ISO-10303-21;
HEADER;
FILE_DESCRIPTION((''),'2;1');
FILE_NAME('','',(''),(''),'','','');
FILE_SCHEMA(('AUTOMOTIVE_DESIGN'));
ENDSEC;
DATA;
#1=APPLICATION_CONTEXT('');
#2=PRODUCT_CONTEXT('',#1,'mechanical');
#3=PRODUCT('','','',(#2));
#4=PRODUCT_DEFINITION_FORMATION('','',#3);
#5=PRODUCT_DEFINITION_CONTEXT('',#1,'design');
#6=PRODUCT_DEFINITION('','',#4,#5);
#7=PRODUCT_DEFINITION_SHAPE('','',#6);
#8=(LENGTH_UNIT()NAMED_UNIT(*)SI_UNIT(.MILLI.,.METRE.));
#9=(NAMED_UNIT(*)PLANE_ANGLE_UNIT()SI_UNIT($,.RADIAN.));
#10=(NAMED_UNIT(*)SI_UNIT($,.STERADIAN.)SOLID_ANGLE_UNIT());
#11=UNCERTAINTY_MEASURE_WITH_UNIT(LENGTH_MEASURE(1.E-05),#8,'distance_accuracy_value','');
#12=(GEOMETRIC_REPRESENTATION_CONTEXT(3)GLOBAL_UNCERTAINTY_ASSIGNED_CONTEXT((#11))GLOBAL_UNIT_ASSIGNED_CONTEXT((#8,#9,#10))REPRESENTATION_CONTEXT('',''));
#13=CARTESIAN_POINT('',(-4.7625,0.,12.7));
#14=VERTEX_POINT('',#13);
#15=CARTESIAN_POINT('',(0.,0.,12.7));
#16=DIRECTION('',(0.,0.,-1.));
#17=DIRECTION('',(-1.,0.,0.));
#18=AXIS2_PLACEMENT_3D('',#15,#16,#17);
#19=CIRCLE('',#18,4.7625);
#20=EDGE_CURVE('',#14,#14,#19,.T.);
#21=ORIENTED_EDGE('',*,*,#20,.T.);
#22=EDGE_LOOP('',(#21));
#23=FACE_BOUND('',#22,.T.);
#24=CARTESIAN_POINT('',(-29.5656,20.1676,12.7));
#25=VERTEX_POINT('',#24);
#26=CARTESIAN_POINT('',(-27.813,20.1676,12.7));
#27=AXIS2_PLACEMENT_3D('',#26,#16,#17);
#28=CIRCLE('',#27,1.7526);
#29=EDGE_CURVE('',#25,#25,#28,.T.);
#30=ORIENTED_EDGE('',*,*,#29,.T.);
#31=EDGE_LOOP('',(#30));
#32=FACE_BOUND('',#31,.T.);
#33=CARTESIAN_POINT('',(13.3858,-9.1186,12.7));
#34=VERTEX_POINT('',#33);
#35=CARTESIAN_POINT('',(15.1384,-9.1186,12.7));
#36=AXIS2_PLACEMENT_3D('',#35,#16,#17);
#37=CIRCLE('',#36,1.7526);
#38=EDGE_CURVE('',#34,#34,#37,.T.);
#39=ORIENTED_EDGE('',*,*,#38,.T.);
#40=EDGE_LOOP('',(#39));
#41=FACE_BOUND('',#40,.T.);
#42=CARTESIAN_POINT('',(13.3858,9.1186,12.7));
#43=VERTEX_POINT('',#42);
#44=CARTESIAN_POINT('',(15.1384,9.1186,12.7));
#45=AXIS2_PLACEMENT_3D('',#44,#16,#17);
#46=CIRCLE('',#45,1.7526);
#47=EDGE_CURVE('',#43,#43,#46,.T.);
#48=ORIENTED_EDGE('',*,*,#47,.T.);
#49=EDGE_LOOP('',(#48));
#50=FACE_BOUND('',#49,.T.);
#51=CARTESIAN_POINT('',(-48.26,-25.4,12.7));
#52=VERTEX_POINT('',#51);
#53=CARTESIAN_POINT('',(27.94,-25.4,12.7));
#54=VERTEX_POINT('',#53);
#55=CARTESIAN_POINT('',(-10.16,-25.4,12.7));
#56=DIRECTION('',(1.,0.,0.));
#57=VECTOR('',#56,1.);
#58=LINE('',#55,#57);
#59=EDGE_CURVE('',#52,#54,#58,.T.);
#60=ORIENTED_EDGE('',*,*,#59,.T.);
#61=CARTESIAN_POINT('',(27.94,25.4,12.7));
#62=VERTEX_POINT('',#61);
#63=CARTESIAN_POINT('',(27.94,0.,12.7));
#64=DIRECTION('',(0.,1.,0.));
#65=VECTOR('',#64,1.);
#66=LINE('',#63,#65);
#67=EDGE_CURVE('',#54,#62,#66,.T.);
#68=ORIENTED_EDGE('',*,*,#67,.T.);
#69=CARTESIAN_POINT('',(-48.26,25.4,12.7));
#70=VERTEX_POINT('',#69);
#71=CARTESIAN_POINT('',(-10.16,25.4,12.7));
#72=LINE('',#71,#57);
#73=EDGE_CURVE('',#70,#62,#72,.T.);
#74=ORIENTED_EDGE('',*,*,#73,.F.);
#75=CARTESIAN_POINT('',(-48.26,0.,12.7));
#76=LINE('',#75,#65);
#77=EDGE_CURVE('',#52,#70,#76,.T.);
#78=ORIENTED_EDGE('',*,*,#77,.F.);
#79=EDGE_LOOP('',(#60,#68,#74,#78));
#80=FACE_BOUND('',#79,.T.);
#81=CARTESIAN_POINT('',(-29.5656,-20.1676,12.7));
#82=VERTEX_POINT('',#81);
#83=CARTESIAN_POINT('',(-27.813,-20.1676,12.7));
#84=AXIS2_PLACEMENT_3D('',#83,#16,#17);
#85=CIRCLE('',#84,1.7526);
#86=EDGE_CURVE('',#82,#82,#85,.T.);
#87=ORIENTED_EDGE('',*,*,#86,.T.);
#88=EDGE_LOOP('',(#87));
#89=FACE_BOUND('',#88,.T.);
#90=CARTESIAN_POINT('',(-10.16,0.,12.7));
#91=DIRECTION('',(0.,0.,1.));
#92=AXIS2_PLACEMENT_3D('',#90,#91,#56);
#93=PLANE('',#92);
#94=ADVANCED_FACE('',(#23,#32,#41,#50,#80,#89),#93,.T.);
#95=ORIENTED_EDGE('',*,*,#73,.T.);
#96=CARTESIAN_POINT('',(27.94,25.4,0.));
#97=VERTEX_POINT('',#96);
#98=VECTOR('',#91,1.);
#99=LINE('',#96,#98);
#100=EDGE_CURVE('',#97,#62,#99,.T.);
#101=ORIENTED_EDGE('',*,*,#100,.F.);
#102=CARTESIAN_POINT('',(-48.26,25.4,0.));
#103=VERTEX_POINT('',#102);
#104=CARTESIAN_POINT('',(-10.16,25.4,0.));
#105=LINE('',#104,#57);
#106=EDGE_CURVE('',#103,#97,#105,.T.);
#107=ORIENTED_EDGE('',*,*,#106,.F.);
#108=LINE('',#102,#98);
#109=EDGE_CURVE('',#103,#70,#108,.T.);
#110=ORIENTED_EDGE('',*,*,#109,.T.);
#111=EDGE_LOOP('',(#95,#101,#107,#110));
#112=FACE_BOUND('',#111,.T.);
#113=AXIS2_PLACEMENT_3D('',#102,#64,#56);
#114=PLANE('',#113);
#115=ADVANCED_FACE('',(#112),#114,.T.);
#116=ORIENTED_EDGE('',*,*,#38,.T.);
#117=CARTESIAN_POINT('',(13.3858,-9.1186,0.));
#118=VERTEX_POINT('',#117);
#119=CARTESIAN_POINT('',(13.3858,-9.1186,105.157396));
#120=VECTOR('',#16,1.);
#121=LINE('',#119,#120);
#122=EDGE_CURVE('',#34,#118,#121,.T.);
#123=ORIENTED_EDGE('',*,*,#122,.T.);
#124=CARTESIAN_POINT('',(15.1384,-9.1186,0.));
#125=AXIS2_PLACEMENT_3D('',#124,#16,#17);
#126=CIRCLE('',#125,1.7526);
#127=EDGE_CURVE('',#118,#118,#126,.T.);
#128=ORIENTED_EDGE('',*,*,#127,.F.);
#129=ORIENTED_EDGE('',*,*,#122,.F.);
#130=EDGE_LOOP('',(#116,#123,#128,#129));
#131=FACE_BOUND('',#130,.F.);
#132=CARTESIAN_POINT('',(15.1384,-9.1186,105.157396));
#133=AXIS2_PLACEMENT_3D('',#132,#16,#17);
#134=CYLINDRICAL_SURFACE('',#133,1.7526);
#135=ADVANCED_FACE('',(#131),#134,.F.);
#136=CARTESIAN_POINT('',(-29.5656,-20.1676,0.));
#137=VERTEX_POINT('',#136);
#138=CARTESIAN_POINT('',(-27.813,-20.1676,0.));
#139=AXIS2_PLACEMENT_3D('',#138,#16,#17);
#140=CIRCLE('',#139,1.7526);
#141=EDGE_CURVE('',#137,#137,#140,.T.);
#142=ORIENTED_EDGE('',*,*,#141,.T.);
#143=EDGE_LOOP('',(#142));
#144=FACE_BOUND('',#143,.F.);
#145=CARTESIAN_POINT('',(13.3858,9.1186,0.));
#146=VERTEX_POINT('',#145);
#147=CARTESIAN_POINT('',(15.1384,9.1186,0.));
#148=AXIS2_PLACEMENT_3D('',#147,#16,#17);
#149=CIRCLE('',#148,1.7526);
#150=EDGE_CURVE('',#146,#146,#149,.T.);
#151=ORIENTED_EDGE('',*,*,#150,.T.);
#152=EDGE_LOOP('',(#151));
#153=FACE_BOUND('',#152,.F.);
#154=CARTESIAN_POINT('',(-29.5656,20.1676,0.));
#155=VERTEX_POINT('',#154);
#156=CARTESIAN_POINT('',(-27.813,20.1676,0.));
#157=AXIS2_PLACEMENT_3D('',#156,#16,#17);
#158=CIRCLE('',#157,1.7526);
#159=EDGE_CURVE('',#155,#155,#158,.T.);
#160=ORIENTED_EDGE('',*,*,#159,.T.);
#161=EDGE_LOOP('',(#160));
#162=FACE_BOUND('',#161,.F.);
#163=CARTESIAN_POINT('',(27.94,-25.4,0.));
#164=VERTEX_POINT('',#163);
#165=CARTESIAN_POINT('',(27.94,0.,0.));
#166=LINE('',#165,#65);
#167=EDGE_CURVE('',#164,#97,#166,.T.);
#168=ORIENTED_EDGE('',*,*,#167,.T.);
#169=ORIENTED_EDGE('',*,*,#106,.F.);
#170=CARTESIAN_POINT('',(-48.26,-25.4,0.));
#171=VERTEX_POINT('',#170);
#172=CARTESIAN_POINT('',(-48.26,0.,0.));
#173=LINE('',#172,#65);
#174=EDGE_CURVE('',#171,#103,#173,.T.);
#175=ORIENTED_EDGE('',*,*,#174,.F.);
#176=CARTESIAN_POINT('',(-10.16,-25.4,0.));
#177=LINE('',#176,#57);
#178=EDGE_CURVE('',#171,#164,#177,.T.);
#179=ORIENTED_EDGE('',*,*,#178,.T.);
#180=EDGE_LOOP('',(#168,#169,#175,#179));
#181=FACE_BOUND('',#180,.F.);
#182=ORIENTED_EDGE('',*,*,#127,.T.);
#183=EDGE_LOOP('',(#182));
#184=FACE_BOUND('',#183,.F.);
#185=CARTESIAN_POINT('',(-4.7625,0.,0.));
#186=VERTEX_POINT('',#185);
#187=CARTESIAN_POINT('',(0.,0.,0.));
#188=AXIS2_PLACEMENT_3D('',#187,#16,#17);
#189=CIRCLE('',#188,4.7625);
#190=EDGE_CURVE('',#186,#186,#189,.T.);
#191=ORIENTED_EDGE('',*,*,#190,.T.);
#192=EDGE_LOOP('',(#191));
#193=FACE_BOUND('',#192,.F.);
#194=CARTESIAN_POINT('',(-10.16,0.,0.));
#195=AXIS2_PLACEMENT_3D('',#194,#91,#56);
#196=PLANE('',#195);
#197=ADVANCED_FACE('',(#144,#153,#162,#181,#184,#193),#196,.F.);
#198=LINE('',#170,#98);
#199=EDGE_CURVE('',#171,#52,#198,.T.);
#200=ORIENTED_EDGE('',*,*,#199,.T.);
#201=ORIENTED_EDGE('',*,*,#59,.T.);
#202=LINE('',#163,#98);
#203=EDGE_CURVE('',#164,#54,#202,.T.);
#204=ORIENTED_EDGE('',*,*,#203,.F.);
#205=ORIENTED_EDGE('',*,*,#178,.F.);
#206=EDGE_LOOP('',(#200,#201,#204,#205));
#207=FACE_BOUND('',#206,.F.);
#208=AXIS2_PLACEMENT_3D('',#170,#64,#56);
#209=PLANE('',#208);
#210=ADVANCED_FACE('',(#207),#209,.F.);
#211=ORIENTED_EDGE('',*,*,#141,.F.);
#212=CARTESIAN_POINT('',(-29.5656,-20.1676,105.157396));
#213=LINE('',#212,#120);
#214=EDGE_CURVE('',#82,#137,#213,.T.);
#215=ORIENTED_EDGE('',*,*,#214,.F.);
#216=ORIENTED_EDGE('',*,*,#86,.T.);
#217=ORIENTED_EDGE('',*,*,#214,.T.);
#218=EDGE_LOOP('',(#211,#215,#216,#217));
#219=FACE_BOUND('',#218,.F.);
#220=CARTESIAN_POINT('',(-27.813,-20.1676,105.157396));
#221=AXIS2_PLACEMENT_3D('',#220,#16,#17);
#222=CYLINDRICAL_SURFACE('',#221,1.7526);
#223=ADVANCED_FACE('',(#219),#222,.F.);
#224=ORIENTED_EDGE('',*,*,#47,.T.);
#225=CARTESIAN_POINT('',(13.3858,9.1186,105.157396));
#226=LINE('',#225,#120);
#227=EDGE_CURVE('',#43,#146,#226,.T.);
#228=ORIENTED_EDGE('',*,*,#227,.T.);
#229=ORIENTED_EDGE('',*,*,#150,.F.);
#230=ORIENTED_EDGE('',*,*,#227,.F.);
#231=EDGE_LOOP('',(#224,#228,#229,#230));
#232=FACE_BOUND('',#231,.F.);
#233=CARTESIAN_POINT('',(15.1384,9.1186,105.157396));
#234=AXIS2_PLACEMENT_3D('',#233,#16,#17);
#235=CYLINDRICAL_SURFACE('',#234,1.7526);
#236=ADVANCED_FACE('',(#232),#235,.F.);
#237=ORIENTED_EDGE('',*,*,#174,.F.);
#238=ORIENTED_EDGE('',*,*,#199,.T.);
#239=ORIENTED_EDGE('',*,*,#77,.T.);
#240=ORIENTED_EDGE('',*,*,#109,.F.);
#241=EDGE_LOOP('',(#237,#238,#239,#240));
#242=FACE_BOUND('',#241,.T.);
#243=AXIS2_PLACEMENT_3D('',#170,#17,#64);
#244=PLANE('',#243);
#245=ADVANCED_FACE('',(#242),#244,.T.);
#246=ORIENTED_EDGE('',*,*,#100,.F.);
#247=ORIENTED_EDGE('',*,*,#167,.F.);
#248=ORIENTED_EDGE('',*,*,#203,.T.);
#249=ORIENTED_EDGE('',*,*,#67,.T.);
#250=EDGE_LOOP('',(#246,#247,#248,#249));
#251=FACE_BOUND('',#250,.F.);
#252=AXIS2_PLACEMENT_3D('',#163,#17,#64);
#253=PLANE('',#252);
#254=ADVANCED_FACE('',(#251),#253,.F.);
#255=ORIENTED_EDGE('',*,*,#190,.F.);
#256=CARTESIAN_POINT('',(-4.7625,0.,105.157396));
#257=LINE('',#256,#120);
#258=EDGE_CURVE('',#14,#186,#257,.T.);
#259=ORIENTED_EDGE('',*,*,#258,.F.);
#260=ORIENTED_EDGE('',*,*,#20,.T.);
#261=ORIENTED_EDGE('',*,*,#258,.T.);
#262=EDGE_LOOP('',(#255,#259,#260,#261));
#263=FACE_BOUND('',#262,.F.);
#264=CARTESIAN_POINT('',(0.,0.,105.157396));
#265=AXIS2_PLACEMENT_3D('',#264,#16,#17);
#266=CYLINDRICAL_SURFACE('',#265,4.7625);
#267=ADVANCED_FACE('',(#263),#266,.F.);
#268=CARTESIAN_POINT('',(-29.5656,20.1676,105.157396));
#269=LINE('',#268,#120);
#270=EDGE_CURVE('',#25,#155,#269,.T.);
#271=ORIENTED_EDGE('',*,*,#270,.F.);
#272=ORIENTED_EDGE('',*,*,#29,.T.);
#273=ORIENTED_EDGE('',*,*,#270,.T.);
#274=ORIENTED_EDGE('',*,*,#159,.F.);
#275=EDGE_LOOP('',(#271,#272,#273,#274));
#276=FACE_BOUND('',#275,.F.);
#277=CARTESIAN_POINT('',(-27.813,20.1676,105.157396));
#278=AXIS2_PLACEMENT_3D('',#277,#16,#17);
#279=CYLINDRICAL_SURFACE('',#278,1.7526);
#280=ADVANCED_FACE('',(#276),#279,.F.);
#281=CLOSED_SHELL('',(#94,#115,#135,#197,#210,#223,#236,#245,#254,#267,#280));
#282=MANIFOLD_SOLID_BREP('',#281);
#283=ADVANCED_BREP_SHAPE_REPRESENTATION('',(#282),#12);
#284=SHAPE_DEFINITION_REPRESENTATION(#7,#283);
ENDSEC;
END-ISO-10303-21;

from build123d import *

# Parameters (mm, degrees)
F0_W     = 76.2
F0_H     = 50.8
F1_DEPTH = 12.7
F3_D     = 9.525
F5_D     = 3.5052


with BuildPart() as f1:
    # F0 (on Top) → F1 (new body)
    with BuildSketch(Plane.XY):
        with Locations((-10.16, 0)):
            Rectangle(F0_W, F0_H)
    extrude(amount=F1_DEPTH)

    # F3 (through all)
    with Locations(Plane.XY.offset(12.7)):
        with Locations((0, 0)):
            Hole(F3_D / 2)

    # F5 (through all)
    with Locations(Plane.XY.offset(12.7)):
        with Locations((15.1384, 9.1186), (15.1384, -9.1186), (-27.813, 20.1676), (-27.813, -20.1676)):
            Hole(F5_D / 2)


solid = f1.part
